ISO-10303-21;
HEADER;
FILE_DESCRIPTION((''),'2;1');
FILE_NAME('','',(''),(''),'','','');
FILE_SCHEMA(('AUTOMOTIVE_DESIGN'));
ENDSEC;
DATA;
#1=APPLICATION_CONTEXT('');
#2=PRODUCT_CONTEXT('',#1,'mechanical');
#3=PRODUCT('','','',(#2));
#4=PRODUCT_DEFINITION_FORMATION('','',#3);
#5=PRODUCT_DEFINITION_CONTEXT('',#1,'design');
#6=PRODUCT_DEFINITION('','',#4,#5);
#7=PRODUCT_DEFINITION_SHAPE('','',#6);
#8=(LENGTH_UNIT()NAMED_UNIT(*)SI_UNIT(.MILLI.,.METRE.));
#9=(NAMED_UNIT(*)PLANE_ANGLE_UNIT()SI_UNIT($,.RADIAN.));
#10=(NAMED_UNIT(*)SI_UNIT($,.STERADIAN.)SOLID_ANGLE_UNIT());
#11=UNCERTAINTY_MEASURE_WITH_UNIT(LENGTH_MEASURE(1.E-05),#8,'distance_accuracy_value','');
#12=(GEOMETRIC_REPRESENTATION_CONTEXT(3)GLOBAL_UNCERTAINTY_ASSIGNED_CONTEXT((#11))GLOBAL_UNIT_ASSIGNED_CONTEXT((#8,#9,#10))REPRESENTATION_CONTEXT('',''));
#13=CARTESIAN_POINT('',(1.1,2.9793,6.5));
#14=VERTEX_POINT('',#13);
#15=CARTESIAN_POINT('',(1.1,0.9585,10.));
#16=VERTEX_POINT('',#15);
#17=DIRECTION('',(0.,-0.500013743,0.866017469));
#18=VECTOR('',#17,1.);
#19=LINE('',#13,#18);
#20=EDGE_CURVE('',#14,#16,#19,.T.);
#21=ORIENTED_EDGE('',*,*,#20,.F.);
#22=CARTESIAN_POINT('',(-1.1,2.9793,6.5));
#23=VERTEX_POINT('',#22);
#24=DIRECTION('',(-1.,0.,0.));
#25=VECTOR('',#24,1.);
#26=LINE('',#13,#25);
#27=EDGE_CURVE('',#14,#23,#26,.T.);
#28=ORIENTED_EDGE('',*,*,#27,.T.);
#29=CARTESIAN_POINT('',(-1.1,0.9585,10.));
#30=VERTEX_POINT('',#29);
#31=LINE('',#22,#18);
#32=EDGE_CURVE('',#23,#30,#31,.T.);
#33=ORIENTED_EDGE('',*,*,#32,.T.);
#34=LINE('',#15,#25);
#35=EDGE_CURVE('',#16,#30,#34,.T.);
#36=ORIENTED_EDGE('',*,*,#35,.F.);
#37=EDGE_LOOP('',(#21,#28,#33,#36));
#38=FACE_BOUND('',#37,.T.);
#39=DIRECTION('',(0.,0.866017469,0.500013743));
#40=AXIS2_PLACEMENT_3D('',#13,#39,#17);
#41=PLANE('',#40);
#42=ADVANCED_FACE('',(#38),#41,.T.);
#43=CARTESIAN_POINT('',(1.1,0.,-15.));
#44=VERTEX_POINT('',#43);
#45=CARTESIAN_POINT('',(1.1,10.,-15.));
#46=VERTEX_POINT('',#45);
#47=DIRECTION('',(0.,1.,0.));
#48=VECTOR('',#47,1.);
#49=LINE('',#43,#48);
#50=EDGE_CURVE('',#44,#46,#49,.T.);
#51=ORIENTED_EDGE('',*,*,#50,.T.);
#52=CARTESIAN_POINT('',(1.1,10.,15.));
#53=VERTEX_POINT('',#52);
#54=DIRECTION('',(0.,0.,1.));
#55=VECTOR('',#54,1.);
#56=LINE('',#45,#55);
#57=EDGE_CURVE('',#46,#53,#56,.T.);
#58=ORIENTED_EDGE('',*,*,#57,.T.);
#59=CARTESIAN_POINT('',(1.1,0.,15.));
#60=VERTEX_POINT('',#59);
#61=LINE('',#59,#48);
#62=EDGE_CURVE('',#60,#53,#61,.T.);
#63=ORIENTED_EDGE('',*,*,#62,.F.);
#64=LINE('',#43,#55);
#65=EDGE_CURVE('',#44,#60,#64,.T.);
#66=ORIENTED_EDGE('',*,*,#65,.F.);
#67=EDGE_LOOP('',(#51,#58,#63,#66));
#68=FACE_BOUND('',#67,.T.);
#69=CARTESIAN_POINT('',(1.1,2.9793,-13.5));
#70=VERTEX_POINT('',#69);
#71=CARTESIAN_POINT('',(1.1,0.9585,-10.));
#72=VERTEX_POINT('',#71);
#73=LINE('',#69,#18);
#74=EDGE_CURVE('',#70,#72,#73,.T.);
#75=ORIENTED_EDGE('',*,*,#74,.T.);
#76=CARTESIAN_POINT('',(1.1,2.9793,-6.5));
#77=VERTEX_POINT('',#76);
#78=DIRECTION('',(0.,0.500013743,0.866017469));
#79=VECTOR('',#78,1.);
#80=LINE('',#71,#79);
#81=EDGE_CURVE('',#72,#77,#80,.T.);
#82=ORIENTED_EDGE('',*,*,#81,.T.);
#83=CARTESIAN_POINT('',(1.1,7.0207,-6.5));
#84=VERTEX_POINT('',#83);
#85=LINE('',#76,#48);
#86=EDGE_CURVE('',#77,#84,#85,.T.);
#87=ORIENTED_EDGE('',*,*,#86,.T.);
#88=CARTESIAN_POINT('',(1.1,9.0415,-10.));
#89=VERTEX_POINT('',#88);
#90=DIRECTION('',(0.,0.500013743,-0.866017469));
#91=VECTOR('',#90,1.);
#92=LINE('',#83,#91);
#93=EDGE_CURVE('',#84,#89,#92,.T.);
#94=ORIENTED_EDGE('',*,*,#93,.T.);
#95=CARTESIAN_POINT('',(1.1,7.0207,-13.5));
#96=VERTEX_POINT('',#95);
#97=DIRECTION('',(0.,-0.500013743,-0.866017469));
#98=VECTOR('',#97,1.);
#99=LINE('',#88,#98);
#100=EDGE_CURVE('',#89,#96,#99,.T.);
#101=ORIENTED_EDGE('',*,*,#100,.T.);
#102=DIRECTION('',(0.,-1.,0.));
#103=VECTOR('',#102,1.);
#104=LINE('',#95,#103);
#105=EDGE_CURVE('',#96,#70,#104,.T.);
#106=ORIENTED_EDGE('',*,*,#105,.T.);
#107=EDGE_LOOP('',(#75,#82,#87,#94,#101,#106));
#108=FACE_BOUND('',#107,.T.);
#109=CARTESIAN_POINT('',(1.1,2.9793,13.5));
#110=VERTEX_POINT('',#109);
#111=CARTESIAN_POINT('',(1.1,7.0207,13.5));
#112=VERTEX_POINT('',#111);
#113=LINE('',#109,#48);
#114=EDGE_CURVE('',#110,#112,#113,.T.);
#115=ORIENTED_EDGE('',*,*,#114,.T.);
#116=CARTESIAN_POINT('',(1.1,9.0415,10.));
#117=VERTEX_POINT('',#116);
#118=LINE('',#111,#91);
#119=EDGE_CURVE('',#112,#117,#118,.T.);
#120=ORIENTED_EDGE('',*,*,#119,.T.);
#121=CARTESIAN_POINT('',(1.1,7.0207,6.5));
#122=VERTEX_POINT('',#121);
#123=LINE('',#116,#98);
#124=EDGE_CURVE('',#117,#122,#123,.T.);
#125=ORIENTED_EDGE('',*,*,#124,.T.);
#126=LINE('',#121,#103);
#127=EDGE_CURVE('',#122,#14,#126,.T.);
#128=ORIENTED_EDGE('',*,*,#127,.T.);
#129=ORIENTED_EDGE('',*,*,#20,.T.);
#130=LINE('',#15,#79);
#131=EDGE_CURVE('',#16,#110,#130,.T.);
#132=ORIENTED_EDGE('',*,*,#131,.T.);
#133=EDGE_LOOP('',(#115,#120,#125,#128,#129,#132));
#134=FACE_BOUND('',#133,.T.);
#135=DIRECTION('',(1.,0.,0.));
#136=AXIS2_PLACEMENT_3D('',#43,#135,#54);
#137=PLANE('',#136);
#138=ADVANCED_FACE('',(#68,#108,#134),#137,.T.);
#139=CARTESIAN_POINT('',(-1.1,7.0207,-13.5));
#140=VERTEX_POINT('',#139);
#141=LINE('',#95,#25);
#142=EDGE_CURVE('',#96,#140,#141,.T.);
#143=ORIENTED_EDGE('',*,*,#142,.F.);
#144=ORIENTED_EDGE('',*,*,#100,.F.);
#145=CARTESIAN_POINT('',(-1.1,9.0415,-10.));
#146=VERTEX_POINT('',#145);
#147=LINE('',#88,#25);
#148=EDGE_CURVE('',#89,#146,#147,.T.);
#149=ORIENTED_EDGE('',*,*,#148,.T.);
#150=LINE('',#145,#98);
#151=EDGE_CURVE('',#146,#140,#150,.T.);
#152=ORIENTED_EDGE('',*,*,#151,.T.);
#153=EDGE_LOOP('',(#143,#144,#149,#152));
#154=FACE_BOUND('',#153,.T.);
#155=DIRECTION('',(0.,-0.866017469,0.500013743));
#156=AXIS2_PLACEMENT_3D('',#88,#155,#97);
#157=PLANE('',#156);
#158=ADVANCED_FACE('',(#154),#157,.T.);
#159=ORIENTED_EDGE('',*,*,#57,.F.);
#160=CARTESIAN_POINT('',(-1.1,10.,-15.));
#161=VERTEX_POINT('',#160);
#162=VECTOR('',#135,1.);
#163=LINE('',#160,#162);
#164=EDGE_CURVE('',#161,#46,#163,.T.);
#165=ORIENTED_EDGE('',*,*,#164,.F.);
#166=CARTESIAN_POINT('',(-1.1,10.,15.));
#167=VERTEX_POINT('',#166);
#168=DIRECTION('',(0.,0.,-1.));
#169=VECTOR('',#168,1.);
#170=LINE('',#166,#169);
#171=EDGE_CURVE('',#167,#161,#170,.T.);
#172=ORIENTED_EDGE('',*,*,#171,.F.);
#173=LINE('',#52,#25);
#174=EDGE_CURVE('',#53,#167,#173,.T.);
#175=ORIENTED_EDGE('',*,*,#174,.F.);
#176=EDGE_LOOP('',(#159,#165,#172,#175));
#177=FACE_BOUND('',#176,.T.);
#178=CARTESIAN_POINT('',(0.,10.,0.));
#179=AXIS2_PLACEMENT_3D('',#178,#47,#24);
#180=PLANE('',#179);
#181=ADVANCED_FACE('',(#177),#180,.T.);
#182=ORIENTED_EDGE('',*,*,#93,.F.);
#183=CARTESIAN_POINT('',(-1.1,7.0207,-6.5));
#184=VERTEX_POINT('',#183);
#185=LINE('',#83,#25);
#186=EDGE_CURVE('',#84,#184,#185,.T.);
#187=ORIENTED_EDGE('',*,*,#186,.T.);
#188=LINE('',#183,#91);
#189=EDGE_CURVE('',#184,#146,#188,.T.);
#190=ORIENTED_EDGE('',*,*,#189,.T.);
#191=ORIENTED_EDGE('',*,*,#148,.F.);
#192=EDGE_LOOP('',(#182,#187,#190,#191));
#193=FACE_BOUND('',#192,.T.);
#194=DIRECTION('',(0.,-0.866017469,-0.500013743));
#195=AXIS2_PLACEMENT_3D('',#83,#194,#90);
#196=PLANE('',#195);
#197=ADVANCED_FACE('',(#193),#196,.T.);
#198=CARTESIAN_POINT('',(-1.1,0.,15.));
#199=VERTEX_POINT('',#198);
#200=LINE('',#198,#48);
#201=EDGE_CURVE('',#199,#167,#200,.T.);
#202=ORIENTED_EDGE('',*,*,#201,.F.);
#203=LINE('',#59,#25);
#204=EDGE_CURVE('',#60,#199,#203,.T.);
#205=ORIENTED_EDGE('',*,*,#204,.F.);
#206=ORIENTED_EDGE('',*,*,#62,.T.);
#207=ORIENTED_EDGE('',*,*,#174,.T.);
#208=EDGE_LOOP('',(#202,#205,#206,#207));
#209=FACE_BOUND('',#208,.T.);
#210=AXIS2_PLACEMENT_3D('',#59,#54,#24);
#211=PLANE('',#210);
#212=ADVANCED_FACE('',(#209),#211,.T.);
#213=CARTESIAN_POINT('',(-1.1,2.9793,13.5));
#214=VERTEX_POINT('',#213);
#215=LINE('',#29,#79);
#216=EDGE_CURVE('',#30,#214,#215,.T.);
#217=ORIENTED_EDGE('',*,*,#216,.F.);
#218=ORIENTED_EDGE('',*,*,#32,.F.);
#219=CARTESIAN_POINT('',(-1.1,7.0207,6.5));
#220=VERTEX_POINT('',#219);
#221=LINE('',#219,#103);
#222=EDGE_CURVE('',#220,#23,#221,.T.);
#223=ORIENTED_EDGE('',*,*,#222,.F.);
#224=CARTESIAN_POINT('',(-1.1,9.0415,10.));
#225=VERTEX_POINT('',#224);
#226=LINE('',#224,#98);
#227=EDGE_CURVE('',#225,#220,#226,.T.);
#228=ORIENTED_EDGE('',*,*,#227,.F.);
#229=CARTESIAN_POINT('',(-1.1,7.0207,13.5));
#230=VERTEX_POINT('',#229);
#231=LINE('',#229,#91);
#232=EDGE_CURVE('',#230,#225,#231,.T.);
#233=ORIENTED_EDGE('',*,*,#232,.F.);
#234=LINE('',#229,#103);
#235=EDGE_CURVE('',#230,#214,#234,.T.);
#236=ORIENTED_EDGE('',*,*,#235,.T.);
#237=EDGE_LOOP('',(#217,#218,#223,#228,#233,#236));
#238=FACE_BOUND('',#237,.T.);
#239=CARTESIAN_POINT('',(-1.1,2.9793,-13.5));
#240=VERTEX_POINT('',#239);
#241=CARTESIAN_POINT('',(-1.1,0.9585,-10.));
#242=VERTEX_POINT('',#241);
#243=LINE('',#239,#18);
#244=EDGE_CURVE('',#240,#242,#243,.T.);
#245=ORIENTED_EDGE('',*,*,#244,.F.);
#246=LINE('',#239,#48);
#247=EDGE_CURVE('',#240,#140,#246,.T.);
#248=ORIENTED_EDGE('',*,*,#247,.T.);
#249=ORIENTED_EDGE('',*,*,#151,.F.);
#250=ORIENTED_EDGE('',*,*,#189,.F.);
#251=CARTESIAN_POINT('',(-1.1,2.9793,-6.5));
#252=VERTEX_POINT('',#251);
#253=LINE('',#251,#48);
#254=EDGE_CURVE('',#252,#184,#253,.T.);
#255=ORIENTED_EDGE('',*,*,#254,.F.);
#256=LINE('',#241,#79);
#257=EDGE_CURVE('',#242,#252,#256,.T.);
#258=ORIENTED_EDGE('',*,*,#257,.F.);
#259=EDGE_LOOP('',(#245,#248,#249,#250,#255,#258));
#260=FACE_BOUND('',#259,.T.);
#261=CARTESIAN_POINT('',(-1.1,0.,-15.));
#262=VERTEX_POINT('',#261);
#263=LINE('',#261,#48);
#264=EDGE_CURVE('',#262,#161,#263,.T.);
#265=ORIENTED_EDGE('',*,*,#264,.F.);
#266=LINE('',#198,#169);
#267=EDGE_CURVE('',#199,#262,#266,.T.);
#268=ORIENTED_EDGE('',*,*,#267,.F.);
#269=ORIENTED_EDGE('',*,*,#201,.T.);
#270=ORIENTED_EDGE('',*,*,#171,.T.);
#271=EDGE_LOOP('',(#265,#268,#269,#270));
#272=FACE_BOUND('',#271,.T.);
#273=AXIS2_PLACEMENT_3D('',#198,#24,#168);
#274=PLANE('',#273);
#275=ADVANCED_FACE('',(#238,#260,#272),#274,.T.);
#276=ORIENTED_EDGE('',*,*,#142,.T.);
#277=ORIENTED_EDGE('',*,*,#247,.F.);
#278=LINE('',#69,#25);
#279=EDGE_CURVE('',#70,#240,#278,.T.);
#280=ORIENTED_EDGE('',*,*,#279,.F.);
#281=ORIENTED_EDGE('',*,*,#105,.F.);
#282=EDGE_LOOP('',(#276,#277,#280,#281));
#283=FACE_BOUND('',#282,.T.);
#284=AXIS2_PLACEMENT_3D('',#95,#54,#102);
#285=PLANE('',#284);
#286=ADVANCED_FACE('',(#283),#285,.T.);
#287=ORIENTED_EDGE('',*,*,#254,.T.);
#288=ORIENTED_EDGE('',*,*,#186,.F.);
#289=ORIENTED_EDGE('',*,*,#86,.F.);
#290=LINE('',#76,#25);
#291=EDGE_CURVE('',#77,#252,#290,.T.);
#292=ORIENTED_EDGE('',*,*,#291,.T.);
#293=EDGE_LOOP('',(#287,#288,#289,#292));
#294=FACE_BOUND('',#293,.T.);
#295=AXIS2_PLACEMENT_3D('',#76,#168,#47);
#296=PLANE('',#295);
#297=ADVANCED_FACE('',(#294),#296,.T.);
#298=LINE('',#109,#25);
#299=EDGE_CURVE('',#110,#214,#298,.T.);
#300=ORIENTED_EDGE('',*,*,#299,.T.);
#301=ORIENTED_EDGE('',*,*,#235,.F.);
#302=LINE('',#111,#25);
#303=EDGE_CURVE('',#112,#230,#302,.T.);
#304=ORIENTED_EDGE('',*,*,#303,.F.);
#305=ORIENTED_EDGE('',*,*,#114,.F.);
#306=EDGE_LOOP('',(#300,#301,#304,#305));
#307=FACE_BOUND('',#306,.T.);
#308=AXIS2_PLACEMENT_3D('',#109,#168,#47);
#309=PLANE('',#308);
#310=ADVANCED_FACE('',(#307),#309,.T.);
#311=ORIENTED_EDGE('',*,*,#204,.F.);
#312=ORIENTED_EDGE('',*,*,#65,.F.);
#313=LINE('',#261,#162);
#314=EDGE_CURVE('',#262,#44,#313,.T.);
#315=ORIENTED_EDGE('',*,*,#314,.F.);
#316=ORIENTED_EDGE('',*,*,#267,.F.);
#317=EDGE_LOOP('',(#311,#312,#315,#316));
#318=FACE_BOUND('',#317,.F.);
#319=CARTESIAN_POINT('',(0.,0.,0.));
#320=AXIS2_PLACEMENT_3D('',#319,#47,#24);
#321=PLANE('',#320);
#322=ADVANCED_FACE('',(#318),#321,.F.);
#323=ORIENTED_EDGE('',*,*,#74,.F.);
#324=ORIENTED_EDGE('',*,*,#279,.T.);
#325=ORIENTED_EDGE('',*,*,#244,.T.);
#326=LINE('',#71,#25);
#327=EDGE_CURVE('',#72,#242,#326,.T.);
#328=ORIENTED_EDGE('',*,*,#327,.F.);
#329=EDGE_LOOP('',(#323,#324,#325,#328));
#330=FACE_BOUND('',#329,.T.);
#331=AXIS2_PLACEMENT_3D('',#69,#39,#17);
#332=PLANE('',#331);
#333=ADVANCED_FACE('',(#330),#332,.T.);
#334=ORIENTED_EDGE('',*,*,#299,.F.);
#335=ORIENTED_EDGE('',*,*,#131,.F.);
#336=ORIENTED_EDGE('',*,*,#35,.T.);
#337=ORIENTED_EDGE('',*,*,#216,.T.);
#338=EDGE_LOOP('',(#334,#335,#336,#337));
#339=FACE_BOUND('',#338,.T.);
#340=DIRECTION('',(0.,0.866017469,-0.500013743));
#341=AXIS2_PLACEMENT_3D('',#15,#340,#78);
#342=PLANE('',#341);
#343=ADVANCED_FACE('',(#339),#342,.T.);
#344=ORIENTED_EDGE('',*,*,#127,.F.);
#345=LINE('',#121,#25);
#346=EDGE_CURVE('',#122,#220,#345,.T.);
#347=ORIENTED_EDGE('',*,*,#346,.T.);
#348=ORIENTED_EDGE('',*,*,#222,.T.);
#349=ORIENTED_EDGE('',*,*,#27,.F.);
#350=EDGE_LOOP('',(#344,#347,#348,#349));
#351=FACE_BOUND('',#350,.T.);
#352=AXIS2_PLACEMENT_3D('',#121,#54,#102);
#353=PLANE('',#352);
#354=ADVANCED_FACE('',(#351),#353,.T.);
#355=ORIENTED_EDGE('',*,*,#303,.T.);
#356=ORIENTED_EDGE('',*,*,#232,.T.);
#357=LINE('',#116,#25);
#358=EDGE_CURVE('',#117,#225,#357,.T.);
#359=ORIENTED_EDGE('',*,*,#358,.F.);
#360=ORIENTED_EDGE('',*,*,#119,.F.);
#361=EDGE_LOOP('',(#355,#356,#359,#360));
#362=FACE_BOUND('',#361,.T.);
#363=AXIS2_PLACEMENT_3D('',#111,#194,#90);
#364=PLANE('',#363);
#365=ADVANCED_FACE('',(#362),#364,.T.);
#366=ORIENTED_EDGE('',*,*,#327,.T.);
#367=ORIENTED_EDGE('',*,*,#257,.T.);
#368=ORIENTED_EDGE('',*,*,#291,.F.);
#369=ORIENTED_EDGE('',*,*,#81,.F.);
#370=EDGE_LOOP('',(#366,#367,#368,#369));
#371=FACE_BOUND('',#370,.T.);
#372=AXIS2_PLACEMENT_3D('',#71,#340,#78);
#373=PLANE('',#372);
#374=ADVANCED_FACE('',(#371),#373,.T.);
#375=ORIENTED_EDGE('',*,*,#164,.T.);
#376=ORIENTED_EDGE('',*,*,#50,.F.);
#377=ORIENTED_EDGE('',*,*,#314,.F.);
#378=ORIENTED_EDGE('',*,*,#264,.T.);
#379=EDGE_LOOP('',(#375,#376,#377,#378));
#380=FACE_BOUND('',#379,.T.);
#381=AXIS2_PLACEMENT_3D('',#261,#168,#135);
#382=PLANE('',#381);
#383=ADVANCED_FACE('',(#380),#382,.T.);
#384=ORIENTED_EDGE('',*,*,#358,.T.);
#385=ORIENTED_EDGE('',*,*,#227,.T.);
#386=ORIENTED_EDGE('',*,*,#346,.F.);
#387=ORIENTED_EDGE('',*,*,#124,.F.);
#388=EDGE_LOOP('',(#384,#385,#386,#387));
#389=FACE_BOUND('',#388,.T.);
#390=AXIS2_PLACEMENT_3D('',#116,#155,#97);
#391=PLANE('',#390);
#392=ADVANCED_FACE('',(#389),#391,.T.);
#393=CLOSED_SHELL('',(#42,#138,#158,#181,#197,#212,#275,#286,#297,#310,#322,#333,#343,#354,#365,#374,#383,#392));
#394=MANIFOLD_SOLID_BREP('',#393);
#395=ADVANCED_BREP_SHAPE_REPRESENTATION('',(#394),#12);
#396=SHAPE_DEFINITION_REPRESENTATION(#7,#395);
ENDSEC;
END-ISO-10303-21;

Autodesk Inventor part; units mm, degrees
ref_plane "YZ Plane" through (0, 0, 0) normal (1, 0, 0) x (0, 1, 0)
ref_plane "XZ Plane" through (0, 0, 0) normal (0, 1, 0) x (-1, 0, 0)
ref_plane "XY Plane" through (0, 0, 0) normal (0, 0, 1) x (1, 0, 0)
sketch "Sketch1" plane through (0, 0, 0) normal (0, 1, 0) x (-1, 0, 0)
  line L0 (-1.1, 15) -> (1.1, 15)
  line L1 (1.1, 15) -> (1.1, -15)
  line L2 (1.1, -15) -> (-1.1, -15)
  line L3 (-1.1, -15) -> (-1.1, 15)
  line L4 (-1.1, 15) -> (1.1, -15) construction
  line L5 (1.1, 15) -> (-1.1, -15) construction
  point P0 (0, 0)
  dimension "d0" = 2.2
  dimension "d1" = 30
extrude "Extrusion1" add sketch "Sketch1" along normal blind 10
sketch "Sketch4" plane through (1.1, 0, 15) normal (1, 0, 0) x (0, 0, -1)
  line L0 (0, 0) -> (0, 10) projected
  line L1 (0, 5) -> (5, 5)
  line L2 (30, 0) -> (30, 10) projected
  line L3 (30, 5) -> (25, 5)
  line L4 (5, 9.0415) -> (8.5, 7.0207)
  line L5 (8.5, 7.0207) -> (8.5, 2.9793)
  line L6 (8.5, 2.9793) -> (5, 0.9585)
  line L7 (5, 0.9585) -> (1.5, 2.9793)
  line L8 (1.5, 2.9793) -> (1.5, 7.0207)
  line L9 (1.5, 7.0207) -> (5, 9.0415)
  line L10 (25, 9.0415) -> (28.5, 7.0207)
  line L11 (28.5, 7.0207) -> (28.5, 2.9793)
  line L12 (28.5, 2.9793) -> (25, 0.9585)
  line L13 (25, 0.9585) -> (21.5, 2.9793)
  line L14 (21.5, 2.9793) -> (21.5, 7.0207)
  line L15 (21.5, 7.0207) -> (25, 9.0415)
  point P0 (15, 0)
  point P1 (28.5, 5)
  point P2 (21.5, 5)
  dimension "d18" = 5
  dimension "d19" = 5
  dimension "d20" = 7
  dimension "d21" = 7
extrude "Extrusion3" cut sketch "Sketch4" against normal blind 2.2
properties part number "Pengunci sendok - mur"
